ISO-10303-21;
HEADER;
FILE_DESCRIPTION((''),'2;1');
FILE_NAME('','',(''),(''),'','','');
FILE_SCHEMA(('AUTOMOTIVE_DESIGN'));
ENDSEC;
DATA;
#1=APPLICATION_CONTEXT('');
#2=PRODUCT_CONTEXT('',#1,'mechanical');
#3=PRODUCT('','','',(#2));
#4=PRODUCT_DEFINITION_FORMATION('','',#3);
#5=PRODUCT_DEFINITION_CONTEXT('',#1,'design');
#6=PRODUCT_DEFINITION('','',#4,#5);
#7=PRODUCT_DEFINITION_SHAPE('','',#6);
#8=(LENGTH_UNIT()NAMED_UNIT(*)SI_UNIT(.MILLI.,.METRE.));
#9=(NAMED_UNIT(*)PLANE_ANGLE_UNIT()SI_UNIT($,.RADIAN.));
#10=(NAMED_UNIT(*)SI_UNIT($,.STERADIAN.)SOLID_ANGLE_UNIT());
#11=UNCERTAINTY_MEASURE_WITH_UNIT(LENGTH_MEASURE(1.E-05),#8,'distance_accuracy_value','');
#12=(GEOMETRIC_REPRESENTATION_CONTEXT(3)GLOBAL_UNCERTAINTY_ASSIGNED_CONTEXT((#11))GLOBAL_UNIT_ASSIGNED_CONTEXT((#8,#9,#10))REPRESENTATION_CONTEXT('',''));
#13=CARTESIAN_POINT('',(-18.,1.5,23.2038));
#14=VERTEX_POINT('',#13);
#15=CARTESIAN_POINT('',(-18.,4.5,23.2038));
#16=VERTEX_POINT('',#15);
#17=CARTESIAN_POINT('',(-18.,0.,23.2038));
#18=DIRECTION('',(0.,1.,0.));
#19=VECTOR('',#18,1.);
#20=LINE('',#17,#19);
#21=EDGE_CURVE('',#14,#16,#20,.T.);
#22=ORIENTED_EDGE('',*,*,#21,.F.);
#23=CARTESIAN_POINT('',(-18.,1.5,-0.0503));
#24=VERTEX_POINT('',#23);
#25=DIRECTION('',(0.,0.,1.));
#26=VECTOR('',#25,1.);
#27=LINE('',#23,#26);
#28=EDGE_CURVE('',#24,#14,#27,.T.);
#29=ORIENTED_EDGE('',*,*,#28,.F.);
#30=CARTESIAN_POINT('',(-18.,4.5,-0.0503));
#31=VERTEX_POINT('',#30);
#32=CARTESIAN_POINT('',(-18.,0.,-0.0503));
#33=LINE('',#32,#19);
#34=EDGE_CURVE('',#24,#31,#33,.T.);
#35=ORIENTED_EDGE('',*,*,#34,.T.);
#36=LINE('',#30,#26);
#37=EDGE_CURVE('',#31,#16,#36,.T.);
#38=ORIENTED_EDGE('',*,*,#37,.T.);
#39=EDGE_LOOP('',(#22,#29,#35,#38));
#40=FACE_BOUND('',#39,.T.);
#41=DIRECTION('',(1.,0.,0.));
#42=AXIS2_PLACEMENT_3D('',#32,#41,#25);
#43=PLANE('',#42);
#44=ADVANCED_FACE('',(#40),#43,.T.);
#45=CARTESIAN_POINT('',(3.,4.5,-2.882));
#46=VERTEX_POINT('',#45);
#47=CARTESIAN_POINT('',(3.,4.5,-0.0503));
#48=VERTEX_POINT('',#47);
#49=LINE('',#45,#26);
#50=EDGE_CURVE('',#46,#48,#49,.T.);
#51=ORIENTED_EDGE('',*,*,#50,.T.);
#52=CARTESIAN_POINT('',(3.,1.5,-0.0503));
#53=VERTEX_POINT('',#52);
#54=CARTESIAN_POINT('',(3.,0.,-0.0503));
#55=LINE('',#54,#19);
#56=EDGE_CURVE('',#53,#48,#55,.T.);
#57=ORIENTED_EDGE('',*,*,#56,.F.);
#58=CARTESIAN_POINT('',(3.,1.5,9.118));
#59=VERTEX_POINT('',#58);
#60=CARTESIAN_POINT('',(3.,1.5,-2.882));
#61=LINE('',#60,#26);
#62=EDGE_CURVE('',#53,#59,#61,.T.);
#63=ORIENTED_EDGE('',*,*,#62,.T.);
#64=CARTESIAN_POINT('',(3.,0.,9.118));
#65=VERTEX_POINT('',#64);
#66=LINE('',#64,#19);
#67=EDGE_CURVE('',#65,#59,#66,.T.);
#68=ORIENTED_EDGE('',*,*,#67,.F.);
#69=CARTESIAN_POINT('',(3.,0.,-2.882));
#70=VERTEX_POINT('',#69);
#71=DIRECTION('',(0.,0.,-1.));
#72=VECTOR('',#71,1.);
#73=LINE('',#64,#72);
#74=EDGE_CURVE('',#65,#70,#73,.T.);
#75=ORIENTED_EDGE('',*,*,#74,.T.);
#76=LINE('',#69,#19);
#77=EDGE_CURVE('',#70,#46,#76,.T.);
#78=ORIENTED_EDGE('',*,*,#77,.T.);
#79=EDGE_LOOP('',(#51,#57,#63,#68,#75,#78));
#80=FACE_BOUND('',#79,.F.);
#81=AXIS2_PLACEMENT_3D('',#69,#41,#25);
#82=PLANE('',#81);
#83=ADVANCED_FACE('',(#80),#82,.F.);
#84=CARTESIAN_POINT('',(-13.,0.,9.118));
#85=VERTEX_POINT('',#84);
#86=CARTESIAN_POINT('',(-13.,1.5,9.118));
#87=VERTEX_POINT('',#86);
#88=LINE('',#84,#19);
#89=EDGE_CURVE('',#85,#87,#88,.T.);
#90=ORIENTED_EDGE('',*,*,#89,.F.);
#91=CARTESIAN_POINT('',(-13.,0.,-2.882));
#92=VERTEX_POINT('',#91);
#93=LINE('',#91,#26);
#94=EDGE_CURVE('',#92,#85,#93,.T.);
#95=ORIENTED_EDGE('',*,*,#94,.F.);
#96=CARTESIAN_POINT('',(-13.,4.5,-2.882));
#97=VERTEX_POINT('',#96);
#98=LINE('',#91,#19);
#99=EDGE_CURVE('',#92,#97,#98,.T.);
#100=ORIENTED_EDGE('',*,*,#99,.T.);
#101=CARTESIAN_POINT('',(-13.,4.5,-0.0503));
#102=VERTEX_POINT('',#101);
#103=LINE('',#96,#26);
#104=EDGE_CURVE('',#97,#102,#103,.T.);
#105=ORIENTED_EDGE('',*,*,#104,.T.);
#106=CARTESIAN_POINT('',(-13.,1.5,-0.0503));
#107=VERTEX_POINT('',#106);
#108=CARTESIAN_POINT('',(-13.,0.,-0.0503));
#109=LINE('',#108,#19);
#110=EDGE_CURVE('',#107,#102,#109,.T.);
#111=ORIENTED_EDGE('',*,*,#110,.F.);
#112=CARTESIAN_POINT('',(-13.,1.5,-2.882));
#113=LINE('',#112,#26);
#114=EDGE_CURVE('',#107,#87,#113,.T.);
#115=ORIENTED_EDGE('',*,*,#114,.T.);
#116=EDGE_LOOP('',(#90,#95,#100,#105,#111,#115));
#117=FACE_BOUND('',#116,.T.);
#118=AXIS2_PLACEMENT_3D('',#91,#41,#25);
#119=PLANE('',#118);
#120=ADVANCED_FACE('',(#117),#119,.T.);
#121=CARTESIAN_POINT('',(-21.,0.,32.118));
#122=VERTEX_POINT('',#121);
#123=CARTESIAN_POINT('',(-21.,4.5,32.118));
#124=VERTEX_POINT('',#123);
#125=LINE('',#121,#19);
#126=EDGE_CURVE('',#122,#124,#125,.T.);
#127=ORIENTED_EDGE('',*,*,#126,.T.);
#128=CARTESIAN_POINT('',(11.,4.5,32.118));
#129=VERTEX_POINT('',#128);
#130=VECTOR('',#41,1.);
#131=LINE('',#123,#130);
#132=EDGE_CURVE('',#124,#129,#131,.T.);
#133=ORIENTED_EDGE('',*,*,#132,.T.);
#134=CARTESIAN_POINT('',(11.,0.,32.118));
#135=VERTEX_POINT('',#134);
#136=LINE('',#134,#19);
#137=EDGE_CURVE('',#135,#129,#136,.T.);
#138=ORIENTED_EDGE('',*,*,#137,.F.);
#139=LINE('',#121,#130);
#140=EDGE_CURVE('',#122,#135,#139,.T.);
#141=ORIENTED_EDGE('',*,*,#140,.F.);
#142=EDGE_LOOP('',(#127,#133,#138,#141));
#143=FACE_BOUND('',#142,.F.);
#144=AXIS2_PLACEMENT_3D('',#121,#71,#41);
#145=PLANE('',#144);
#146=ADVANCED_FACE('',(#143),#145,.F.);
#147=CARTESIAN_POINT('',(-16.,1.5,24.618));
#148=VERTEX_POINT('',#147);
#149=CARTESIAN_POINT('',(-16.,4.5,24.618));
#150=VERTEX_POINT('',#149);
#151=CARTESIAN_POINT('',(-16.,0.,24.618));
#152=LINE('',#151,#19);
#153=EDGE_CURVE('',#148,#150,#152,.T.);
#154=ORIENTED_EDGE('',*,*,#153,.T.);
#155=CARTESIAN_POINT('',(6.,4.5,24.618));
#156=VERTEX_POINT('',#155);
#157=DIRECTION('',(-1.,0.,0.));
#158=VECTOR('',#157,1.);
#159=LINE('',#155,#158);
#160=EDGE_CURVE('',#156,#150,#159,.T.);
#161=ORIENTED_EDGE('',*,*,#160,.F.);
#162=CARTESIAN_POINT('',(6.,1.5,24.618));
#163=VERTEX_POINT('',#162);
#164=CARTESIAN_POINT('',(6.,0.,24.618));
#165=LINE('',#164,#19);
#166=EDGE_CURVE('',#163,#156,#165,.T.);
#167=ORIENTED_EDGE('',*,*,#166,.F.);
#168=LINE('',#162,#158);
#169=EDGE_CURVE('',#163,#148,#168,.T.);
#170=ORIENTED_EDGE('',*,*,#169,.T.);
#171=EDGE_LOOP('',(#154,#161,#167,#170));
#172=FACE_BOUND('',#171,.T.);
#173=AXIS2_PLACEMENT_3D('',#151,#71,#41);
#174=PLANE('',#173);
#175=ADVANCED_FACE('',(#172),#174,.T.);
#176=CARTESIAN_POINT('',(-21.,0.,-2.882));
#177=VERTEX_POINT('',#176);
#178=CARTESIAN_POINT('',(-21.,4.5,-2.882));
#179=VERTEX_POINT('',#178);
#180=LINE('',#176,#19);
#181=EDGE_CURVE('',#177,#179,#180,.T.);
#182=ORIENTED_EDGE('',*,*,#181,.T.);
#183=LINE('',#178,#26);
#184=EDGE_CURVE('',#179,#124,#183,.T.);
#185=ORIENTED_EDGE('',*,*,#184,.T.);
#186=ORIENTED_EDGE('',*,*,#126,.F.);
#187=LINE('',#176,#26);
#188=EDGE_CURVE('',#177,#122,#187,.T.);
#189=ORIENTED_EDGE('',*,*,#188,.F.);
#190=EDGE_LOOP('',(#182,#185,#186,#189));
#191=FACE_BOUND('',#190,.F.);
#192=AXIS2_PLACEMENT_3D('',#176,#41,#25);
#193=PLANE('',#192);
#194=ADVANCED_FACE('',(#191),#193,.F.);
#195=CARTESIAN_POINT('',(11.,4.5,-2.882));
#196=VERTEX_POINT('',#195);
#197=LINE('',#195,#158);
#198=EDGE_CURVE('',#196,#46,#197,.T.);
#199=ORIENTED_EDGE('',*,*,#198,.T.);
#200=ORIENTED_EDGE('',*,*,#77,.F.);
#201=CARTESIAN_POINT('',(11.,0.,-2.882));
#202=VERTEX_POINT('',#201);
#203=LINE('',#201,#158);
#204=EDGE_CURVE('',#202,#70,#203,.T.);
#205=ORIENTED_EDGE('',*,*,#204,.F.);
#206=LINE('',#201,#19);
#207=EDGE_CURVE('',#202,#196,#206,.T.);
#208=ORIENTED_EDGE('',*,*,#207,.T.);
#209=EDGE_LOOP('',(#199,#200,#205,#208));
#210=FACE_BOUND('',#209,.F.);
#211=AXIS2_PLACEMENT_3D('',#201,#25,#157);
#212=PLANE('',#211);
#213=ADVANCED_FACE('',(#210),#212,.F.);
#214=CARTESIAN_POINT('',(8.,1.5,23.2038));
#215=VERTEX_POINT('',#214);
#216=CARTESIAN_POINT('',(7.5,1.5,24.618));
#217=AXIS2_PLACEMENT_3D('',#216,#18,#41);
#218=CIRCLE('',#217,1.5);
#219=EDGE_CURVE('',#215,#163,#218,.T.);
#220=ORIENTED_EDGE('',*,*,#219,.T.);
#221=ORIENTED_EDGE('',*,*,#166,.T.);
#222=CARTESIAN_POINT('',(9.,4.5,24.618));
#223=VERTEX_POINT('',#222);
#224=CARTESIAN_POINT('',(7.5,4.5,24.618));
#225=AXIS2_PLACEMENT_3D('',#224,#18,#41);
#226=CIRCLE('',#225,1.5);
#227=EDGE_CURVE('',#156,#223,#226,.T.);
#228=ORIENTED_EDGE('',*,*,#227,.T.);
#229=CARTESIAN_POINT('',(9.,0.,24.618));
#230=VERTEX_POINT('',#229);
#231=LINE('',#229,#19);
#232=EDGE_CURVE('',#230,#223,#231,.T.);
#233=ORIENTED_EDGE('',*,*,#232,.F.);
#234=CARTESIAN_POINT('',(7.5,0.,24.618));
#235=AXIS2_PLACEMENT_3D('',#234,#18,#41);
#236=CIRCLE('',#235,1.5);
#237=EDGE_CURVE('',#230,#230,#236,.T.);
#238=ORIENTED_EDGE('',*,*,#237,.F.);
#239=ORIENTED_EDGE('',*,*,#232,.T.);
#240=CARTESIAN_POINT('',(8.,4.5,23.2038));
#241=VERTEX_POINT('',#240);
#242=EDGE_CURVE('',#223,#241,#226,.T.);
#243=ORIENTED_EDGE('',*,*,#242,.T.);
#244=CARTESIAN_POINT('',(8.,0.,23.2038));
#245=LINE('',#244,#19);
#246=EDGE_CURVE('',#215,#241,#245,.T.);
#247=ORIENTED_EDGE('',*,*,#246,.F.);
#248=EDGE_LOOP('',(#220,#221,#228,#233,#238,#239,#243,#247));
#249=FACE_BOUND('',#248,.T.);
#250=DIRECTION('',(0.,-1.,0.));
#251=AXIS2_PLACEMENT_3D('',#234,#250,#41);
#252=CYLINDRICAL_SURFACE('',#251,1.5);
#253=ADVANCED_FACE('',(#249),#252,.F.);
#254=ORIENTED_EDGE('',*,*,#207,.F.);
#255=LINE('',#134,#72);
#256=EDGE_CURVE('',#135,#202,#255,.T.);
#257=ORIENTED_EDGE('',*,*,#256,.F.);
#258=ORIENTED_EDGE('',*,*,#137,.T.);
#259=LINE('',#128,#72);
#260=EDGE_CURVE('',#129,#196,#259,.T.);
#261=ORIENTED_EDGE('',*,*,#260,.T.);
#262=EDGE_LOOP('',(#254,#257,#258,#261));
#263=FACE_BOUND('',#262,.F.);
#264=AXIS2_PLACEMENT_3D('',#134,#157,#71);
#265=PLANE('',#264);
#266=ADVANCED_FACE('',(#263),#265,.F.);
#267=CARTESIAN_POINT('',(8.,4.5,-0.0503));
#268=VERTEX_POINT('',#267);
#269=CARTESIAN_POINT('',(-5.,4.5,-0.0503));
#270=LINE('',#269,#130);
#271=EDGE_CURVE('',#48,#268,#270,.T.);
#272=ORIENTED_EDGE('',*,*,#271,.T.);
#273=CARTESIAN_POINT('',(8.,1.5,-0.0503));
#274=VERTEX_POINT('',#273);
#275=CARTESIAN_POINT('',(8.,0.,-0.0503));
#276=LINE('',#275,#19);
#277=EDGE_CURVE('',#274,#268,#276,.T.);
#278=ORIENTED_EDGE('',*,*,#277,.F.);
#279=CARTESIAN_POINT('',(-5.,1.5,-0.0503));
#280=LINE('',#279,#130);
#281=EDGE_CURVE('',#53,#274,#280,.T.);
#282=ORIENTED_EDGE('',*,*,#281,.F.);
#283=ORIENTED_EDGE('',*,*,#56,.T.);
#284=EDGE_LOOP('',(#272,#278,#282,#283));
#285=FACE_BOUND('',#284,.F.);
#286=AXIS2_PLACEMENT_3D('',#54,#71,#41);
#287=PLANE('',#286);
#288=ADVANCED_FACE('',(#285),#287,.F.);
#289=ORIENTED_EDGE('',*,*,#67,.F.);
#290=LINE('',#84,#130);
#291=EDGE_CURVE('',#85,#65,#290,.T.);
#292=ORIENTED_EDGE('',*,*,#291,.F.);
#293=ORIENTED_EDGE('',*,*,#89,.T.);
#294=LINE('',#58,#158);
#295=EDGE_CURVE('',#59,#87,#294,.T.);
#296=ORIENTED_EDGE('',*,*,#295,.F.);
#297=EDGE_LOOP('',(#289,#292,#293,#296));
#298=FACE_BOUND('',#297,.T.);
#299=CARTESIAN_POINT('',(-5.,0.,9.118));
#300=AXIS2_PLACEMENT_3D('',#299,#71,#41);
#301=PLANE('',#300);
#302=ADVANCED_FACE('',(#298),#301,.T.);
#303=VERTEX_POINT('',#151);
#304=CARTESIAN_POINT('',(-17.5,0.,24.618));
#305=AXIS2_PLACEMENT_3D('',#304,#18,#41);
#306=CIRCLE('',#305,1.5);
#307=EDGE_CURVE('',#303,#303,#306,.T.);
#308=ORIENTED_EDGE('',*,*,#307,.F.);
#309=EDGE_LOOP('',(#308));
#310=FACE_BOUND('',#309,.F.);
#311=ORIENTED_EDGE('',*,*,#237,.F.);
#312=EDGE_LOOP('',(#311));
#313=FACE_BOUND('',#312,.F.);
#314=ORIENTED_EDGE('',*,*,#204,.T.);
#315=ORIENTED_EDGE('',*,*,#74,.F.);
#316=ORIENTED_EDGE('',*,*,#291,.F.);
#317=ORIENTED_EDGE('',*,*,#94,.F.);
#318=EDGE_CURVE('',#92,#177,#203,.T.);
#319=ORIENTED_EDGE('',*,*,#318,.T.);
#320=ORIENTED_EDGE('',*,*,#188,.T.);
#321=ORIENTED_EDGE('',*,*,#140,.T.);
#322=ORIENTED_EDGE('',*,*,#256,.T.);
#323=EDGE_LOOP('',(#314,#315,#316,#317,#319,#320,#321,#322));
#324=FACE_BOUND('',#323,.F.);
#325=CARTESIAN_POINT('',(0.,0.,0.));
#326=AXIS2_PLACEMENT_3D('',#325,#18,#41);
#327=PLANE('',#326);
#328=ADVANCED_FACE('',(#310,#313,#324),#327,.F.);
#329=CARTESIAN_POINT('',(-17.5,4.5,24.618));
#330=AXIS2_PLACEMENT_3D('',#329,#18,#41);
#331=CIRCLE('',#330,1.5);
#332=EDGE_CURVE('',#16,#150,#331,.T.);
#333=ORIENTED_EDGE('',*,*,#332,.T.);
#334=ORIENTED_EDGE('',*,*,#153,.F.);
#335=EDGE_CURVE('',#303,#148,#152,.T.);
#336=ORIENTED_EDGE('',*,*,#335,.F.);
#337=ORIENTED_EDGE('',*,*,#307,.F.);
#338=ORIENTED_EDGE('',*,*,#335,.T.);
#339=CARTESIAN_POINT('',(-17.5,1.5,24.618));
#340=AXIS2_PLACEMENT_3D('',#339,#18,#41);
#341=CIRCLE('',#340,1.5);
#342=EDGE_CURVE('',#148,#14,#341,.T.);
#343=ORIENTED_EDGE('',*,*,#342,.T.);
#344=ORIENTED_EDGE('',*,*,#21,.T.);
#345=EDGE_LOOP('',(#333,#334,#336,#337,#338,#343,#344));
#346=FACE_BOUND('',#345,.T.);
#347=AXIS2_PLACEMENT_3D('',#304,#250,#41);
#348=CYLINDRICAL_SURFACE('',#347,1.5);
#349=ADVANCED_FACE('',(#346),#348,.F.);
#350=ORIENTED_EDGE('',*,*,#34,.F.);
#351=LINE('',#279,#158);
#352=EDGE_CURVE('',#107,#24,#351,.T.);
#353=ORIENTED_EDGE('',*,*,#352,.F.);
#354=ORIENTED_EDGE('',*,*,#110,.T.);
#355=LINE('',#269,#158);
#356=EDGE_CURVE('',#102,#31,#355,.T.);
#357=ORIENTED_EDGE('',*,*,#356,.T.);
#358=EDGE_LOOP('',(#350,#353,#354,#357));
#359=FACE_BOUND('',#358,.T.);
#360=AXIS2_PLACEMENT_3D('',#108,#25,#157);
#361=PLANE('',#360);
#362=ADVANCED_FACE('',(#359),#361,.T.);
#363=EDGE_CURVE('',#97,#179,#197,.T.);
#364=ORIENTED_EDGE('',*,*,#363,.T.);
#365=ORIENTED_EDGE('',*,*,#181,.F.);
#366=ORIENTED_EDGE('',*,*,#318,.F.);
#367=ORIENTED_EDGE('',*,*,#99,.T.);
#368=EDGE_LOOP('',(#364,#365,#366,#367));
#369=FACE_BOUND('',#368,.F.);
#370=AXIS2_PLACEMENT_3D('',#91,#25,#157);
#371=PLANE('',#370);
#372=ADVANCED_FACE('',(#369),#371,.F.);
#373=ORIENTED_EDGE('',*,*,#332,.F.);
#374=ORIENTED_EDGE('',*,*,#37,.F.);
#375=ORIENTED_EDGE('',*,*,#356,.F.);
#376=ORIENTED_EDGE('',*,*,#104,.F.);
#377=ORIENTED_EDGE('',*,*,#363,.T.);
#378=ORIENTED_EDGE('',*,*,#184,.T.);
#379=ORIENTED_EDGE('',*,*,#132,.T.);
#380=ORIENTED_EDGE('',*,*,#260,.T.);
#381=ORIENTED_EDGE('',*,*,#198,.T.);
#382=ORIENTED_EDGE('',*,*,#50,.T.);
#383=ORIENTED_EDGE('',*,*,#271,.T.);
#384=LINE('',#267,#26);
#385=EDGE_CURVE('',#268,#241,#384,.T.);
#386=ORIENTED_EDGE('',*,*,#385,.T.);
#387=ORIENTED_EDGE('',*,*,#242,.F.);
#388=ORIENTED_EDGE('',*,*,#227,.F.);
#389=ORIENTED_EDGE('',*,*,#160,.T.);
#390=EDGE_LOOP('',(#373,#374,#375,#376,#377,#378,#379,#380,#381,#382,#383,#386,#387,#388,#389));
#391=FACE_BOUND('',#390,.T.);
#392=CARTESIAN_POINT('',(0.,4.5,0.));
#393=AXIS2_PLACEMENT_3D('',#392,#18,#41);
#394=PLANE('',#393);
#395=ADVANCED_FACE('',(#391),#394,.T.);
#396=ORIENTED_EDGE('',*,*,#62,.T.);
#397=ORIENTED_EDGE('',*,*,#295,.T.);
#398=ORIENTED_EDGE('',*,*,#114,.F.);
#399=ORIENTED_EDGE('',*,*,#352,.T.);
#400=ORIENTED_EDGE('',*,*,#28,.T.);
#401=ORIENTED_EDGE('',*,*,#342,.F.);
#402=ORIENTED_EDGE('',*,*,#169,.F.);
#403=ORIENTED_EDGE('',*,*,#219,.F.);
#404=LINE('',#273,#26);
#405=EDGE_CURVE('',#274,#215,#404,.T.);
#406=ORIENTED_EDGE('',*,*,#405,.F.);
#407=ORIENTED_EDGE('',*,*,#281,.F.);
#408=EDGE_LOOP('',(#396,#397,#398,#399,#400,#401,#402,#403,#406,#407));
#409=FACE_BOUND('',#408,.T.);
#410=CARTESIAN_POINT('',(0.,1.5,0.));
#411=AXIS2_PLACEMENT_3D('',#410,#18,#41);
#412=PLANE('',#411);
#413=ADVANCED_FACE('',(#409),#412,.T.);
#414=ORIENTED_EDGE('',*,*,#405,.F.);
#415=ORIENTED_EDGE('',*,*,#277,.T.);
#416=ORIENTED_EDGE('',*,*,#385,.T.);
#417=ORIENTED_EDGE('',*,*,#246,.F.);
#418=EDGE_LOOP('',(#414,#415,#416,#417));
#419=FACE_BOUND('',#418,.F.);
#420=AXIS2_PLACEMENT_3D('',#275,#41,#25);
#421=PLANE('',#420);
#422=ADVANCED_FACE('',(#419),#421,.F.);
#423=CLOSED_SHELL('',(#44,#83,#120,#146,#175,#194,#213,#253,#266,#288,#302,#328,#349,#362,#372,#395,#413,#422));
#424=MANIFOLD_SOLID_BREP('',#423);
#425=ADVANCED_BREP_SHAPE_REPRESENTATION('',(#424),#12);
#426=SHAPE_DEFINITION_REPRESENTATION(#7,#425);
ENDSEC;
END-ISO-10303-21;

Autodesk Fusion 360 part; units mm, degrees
sketch "Sketch3" plane through (0, 0, 0) normal (0, 1, 0) x (1, 0, 0)
  line L0 (11, 2.882) -> (-21, 2.882)
  line L1 (-21, 2.882) -> (-21, -32.118)
  line L2 (-21, -32.118) -> (11, -32.118)
  line L3 (11, -32.118) -> (11, 2.882)
  line L4 (-5, -24.618) -> (-5, 2.882)
  circle A0 centre (-17.5, -24.618) radius 1.5
  circle A1 centre (7.5, -24.618) radius 1.5
  line L5 (-17.5, -24.618) -> (7.5, -24.618)
  line L6 (-5, 0.0503) -> (-18, 0.0503)
  line L7 (-5, 0.0503) -> (8, 0.0503)
  line L8 (-18, 0.0503) -> (-18, -23.2038)
  line L9 (8, 0.0503) -> (8, -23.2038)
  line L10 (-5, 2.882) -> (-13, 2.882)
  line L11 (-5, 2.882) -> (3, 2.882)
  line L12 (-13, 2.882) -> (-13, -9.118)
  line L13 (3, 2.882) -> (3, -9.118)
  line L14 (-13, -9.118) -> (3, -9.118)
  dimension "d32" = 35
  dimension "d33" = 32
  dimension "d58" = 27.5
  dimension "d61" = 3
  dimension "d62" = 3
  dimension "d63" = 13
  dimension "d64" = 13
  dimension "d66" = 8
  dimension "d67" = 8
  dimension "d68" = 12
  dimension "d69" = 12
  dimension "d70" = 16
  dimension "d71" = 23.2541
extrude "Extrude7" add sketch "Sketch3" along normal blind 4.5 contours L0 L1 L2 L3 A0 A1 L5 L6 L7 L8 L9 L12 L13
extrude "Extrude8" add sketch "Sketch3" along normal blind 1.5 contours L4 A1 L5 L7 L9 L13 L14 | L4 A0 L5 L6 L8 L12 L14
